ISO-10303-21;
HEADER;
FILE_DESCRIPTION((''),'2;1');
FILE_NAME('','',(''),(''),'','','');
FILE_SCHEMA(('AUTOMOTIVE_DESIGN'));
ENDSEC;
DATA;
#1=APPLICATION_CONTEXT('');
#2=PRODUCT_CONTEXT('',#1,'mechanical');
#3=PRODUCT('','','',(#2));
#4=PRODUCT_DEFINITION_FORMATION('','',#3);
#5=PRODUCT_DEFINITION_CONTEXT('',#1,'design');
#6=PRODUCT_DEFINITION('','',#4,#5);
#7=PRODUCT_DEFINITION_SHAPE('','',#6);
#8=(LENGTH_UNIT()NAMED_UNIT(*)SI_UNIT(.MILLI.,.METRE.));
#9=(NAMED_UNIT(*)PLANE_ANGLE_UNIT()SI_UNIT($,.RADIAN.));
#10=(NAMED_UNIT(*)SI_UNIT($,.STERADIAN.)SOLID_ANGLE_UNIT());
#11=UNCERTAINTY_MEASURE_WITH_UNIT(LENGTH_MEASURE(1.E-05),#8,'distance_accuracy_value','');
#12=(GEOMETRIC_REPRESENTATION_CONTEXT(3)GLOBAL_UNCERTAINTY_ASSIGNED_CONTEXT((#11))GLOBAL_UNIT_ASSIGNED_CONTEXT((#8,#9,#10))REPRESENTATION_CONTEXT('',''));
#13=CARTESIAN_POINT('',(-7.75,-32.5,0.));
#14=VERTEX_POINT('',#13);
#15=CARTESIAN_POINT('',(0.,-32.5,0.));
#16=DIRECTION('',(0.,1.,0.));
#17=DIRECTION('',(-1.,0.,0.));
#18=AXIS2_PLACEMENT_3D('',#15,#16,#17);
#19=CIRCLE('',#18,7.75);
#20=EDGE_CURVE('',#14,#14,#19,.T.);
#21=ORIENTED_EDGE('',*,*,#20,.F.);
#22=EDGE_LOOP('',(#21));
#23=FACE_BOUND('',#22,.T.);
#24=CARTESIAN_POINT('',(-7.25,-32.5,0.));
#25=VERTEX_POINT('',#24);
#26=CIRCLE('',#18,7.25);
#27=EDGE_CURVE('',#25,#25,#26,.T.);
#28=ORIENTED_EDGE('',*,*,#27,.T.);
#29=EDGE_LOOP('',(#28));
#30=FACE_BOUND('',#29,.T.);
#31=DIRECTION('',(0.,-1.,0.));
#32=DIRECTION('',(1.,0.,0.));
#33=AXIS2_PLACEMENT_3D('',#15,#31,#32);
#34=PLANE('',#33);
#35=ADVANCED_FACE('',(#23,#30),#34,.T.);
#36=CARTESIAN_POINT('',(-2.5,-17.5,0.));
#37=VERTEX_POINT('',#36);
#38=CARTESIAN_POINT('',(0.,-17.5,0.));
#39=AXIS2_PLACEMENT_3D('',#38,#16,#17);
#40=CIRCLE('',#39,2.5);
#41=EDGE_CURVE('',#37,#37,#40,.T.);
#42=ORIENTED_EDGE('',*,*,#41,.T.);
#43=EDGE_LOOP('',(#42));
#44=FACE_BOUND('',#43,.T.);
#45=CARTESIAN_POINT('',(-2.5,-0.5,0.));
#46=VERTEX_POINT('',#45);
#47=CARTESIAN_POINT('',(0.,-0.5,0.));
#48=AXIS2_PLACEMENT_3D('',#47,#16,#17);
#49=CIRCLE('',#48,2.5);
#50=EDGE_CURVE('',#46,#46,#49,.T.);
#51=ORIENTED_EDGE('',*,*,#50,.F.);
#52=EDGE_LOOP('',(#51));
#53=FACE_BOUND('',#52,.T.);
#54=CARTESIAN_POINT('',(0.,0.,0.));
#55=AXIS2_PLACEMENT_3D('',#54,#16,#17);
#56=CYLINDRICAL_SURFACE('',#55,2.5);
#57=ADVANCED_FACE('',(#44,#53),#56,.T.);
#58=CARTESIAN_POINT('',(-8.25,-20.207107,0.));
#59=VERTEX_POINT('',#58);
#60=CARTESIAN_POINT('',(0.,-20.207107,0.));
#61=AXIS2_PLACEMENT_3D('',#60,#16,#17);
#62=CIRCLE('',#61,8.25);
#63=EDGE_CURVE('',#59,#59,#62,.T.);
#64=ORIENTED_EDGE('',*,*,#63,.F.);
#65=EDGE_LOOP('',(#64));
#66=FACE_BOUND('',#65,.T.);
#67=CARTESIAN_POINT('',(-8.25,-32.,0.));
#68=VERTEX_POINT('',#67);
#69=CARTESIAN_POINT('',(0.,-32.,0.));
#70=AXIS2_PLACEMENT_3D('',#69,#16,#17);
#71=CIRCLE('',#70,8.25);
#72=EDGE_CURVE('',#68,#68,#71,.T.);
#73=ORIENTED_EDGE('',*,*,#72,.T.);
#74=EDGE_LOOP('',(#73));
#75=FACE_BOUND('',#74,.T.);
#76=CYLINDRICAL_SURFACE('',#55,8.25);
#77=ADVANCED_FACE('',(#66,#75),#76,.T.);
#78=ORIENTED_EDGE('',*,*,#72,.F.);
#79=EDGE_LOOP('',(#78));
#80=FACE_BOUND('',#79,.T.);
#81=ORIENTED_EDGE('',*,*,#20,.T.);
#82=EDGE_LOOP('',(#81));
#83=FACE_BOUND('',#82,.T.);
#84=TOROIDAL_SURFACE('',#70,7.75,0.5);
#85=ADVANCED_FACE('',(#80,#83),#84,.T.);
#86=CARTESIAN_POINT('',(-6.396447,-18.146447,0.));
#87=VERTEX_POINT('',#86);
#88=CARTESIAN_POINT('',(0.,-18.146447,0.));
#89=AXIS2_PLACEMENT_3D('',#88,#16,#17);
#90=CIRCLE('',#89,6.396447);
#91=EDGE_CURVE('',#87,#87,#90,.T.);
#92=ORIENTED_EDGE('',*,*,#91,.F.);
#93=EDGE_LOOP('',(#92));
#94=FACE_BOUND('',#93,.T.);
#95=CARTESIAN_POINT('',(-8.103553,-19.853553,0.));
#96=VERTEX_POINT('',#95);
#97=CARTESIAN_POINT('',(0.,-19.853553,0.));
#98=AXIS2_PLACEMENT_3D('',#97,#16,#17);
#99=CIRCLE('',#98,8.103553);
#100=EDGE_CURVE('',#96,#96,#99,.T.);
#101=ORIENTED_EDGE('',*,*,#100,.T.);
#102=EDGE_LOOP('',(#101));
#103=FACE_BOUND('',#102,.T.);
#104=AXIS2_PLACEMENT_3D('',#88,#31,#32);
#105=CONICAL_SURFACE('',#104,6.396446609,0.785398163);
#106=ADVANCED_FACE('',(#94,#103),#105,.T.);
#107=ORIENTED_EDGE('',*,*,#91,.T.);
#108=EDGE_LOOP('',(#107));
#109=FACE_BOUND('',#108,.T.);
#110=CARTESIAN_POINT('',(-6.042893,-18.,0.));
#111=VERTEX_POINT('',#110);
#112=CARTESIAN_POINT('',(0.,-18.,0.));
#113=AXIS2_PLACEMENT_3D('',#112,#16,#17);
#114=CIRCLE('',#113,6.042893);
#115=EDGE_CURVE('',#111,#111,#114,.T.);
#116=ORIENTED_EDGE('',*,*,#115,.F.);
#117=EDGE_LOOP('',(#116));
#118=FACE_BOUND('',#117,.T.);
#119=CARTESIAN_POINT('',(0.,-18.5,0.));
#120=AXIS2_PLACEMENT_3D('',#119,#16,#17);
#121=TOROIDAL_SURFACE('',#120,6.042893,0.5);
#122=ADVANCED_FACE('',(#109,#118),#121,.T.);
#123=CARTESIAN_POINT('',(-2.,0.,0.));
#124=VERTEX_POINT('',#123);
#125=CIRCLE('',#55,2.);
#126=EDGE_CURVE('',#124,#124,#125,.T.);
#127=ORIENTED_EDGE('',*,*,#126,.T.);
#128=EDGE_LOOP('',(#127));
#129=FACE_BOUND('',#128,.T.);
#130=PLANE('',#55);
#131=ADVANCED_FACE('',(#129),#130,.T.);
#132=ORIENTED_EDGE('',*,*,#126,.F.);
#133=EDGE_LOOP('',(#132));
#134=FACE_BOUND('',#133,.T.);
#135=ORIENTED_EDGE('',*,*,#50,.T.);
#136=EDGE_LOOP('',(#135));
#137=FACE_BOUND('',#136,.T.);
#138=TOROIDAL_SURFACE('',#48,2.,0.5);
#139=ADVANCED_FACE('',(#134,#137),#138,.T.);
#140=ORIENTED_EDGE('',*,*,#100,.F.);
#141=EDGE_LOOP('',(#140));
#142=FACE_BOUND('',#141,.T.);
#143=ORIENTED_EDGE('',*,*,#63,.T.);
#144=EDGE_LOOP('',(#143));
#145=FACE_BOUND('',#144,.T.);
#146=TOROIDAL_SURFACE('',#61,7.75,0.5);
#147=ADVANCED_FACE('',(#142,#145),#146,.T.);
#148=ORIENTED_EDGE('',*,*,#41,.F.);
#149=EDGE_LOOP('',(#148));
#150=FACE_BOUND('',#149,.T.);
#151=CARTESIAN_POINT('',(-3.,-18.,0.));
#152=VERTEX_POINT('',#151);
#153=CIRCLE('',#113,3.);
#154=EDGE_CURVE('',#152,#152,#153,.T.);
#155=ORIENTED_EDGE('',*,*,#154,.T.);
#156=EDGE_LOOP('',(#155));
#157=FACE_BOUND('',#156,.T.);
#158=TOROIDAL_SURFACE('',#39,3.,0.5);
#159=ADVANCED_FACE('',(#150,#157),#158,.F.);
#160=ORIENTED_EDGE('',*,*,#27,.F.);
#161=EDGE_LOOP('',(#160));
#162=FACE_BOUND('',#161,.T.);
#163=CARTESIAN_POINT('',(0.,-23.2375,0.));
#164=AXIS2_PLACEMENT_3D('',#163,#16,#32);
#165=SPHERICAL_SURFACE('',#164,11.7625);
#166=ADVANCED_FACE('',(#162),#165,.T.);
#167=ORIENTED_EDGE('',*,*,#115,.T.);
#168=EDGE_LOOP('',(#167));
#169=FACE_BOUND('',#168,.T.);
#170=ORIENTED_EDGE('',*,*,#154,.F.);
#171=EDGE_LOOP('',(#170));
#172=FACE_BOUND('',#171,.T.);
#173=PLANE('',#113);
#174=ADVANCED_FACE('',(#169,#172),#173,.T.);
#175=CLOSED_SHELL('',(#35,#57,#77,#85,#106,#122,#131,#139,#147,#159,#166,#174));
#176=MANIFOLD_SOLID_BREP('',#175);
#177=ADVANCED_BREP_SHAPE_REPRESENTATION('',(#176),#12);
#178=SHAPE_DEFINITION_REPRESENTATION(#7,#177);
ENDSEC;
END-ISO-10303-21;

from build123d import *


with BuildPart() as part:
    # Sketch1 → Revolve1 (revolve)
    with BuildSketch(Plane.XY, mode=Mode.PRIVATE) as revolve1_sk:
        with BuildLine():
            ThreePointArc((8.25, -32), (8.103553391, -32.353553391), (7.75, -32.5))
            Line((7.75, -32.5), (7.25, -32.5))
            ThreePointArc((7.25, -32.5), (3.834465413, -34.357449696), (0, -35))
            Line((0, -35), (0, 0))
            Line((0, 0), (2, 0))
            ThreePointArc((2, 0), (2.353553391, -0.146446609), (2.5, -0.5))
            Line((2.5, -0.5), (2.5, -17.5))
            ThreePointArc((2.5, -17.5), (2.646446609, -17.853553391), (3, -18))
            Line((3, -18), (6.042893219, -18))
            ThreePointArc((6.042893219, -18), (6.234234935, -18.038060234), (6.396446609, -18.146446609))
            Line((6.396446609, -18.146446609), (8.103553391, -19.853553391))
            ThreePointArc((8.103553391, -19.853553391), (8.211939766, -20.015765065), (8.25, -20.207106781))
            Line((8.25, -20.207106781), (8.25, -32))
        make_face()
    revolve(revolve1_sk.sketch.rotate(Axis((0, 0, 0), (0, -1, 0)), 180), axis=Axis((0, 0, 0), (0, -1, 0)))


solid = part.part
